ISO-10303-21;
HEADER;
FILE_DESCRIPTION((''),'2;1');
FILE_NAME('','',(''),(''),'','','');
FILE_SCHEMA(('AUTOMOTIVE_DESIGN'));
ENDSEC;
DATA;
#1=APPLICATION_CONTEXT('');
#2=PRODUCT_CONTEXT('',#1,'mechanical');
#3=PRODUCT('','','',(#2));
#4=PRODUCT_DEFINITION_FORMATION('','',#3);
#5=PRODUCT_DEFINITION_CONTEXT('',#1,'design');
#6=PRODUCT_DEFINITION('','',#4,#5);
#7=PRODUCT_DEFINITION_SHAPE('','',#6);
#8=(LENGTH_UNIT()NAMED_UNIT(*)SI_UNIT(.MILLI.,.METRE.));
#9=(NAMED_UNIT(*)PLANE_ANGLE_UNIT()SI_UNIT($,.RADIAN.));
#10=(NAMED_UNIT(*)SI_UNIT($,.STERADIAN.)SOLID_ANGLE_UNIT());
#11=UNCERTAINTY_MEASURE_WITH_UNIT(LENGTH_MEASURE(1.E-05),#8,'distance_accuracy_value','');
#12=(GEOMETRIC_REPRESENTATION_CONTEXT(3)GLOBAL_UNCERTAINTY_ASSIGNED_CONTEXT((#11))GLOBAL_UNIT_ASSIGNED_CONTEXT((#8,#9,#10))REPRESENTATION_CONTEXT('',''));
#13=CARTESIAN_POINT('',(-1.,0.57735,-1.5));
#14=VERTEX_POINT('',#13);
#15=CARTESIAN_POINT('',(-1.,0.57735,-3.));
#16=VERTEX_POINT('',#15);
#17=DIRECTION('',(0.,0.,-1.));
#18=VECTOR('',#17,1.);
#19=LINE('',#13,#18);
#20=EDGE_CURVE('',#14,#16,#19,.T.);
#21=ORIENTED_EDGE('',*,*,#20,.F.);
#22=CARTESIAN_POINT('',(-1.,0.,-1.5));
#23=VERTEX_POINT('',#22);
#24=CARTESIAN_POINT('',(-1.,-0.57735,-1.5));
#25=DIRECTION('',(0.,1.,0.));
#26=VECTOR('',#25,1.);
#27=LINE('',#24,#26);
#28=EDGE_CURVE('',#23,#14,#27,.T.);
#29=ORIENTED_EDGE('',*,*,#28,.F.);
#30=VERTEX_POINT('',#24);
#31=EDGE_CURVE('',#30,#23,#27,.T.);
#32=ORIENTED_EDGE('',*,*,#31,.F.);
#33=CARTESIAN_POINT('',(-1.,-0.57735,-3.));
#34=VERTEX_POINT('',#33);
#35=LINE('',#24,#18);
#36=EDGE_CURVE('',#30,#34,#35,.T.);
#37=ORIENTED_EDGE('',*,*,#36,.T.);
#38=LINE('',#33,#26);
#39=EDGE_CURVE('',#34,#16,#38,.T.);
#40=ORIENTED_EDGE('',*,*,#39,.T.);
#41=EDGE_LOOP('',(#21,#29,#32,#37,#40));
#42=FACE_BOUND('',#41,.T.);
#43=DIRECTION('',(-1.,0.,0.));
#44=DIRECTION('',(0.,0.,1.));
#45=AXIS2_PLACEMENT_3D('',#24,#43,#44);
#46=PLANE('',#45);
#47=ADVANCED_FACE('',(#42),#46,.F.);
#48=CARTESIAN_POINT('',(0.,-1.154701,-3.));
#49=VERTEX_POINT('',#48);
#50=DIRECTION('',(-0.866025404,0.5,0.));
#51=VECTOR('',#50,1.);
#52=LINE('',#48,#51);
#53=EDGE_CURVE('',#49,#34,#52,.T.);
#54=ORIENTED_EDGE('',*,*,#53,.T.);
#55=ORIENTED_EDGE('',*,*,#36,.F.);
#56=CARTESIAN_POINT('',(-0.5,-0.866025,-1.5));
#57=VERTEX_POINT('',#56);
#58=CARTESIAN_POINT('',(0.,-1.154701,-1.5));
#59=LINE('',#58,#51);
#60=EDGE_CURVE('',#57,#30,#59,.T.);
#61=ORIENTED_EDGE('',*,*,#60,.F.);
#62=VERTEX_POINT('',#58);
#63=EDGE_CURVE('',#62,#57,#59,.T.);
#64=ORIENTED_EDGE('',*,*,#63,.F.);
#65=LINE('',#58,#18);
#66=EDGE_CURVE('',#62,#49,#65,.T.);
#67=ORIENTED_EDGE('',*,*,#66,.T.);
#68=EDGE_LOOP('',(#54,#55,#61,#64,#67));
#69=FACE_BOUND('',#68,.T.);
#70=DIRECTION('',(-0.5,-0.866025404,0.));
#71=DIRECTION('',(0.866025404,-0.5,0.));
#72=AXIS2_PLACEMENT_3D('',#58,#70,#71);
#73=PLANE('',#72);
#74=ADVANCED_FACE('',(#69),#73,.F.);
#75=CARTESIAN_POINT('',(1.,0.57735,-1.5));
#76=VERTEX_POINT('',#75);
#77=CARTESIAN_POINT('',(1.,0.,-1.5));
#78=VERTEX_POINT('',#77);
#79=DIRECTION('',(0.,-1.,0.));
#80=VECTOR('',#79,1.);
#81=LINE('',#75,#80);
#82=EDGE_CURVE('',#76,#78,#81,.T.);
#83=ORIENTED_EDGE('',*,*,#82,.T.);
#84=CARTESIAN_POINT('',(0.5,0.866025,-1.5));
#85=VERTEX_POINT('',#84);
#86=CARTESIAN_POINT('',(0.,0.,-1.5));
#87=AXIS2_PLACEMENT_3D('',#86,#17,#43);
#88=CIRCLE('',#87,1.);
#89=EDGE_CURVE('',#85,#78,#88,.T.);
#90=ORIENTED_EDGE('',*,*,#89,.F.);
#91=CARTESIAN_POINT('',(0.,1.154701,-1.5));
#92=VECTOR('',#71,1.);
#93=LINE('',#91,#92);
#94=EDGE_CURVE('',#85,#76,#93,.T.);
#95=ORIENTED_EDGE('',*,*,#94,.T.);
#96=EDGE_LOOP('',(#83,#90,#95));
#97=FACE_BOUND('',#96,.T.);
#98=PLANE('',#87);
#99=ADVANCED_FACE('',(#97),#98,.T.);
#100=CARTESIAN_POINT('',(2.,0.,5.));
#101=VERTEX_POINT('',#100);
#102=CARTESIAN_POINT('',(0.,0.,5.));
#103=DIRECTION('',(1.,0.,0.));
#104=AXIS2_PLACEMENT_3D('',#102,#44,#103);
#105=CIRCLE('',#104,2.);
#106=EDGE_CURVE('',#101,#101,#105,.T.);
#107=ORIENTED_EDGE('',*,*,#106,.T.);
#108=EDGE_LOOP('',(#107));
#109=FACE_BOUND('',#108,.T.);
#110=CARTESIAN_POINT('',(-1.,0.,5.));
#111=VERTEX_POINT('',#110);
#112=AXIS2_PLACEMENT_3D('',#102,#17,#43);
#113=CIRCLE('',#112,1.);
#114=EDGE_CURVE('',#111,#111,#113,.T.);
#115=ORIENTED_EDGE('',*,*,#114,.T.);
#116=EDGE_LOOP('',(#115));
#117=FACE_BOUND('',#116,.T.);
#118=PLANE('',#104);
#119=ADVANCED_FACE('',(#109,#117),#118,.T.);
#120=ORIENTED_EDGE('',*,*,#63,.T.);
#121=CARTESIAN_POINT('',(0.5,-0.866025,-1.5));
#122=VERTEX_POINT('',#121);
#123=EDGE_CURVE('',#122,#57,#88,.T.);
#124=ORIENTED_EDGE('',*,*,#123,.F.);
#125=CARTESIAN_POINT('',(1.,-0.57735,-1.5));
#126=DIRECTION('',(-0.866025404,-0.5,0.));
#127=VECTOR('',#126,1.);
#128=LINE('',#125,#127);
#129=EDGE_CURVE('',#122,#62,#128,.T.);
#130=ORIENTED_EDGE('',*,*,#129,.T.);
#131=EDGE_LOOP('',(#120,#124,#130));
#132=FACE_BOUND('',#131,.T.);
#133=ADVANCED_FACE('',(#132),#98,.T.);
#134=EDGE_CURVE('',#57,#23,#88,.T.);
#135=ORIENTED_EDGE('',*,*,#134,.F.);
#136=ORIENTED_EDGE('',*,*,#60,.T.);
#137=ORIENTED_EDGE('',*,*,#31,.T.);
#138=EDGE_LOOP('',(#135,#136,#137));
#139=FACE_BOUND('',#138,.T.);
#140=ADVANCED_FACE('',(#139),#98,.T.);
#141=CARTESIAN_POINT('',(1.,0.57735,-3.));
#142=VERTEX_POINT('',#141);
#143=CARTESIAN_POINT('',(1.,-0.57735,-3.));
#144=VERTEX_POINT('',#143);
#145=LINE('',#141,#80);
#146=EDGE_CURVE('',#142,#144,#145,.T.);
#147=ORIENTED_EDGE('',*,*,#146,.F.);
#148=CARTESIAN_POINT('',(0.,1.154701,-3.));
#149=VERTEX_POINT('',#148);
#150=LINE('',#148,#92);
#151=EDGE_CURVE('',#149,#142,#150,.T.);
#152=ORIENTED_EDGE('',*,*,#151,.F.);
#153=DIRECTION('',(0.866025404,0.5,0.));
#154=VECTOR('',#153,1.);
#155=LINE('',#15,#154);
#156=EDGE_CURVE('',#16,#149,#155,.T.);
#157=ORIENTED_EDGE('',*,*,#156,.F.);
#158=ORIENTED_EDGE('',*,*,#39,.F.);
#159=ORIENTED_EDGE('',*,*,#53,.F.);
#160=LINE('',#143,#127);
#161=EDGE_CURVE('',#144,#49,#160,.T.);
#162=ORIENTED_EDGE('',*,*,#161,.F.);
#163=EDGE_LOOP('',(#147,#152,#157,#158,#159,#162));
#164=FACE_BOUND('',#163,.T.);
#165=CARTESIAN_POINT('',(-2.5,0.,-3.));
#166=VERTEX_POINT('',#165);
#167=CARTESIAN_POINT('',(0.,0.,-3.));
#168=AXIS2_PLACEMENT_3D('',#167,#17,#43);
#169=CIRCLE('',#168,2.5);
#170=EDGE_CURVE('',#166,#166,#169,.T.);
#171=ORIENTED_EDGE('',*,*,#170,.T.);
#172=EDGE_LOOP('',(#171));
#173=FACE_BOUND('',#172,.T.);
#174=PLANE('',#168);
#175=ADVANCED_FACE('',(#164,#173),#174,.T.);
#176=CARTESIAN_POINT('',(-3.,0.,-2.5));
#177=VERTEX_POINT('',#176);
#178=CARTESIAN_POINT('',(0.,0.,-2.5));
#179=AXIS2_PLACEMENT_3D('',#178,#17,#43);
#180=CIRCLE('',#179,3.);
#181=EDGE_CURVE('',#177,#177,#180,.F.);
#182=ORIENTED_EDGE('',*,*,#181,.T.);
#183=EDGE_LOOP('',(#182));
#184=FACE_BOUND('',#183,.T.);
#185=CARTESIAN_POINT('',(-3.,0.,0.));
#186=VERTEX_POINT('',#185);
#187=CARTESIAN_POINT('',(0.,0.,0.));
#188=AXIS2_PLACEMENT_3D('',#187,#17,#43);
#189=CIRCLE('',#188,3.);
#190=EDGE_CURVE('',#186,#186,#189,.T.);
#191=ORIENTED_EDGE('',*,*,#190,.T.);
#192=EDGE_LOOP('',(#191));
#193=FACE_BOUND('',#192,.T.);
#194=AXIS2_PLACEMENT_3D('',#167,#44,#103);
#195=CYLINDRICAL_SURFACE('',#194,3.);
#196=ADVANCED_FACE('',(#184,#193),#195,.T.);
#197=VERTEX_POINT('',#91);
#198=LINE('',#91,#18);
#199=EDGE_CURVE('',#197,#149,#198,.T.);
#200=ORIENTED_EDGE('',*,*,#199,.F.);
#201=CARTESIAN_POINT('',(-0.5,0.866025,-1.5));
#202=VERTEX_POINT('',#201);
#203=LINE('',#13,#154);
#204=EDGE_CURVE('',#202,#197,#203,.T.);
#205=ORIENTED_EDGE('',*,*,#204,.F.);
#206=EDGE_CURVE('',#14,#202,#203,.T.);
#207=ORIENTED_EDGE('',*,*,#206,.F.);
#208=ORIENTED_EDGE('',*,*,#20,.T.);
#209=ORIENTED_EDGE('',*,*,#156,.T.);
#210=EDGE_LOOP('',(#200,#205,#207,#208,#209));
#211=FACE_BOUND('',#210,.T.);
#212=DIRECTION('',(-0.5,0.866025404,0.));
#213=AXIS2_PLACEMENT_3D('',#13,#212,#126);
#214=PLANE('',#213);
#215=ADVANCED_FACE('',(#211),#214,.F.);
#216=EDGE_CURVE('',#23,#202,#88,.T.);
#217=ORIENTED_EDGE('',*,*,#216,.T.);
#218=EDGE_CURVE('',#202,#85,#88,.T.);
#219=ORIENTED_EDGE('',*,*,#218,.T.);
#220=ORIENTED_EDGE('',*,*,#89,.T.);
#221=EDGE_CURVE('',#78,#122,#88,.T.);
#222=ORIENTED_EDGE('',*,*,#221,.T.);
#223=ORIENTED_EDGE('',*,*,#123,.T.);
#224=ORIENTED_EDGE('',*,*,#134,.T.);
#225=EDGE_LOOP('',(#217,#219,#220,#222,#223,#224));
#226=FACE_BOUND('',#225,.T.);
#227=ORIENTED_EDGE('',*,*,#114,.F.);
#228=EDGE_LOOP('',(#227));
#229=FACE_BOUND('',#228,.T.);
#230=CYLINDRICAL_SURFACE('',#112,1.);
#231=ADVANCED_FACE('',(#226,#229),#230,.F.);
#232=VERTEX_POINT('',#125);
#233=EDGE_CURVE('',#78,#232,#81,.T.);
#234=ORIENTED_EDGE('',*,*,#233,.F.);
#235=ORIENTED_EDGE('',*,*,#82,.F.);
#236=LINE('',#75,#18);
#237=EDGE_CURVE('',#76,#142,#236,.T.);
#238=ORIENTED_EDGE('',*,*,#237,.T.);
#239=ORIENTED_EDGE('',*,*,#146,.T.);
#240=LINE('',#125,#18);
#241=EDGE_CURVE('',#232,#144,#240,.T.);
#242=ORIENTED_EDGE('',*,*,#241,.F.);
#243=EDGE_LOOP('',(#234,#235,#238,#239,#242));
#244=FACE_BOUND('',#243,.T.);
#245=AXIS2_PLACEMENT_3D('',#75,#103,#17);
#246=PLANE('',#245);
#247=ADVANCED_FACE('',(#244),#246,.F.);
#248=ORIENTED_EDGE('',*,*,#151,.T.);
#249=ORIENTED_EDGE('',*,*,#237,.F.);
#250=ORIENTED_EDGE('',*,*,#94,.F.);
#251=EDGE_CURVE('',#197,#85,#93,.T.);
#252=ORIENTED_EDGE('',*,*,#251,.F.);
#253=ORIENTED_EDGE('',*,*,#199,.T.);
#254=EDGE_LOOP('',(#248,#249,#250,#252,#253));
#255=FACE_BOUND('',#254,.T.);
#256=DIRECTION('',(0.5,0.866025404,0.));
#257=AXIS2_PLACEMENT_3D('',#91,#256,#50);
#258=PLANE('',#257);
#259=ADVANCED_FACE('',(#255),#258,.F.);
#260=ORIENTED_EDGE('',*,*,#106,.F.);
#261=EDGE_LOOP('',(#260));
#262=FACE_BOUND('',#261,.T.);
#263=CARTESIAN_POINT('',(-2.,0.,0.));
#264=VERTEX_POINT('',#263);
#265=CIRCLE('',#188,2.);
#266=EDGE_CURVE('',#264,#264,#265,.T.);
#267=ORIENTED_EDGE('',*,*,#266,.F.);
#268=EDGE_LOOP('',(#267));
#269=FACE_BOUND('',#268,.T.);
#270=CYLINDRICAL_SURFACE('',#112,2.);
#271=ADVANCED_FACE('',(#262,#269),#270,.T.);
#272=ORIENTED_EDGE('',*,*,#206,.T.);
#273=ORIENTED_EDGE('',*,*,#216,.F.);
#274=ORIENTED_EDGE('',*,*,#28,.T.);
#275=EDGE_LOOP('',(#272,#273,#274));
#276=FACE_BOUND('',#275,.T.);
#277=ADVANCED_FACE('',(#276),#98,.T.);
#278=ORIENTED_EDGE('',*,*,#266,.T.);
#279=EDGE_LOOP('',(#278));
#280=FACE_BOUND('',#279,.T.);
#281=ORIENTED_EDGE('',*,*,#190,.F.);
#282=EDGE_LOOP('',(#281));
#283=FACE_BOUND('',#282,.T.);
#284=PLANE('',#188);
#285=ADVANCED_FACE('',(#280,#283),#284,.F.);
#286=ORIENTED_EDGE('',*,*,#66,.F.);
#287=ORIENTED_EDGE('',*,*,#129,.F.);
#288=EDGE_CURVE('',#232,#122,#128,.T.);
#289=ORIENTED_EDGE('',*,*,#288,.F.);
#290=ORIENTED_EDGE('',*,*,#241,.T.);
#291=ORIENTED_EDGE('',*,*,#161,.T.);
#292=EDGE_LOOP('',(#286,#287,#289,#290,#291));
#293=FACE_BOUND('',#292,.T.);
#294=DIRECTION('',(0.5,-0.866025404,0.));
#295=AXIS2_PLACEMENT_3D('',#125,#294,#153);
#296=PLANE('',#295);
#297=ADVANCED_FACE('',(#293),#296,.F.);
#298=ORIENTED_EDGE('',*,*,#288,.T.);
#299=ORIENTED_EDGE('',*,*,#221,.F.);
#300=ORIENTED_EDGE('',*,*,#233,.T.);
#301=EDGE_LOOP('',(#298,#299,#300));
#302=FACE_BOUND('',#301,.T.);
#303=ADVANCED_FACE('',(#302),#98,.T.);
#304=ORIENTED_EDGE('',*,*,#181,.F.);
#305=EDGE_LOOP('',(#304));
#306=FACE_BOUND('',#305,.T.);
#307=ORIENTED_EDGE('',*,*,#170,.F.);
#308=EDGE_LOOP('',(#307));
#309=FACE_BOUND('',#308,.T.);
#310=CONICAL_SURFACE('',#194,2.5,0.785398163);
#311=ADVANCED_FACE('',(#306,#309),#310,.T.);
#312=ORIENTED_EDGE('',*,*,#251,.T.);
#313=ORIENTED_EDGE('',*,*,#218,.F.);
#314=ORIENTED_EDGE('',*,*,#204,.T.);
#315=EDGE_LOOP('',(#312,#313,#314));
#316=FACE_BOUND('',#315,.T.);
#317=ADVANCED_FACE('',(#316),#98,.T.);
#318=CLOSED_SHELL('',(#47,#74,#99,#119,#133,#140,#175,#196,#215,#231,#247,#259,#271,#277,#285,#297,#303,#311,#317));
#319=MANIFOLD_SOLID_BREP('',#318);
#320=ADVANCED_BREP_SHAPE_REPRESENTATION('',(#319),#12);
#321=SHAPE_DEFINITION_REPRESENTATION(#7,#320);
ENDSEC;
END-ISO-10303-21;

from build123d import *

# Parameters (mm, degrees)
SKETCH1_R           = 2
BOSS_EXTRUDE1_DEPTH = 5
SKETCH2_R           = 3
BOSS_EXTRUDE2_DEPTH = 3
CHAMFER1_SIZE       = 0.5
CUT_EXTRUDE3_DEPTH  = 1.5
SKETCH6_R           = 1
CUT_EXTRUDE4_DEPTH  = 8.762087348


with BuildPart() as part:
    # Sketch1 → Boss-Extrude1 (new body)
    with BuildSketch(Plane.XY):
        Circle(SKETCH1_R)
    extrude(amount=BOSS_EXTRUDE1_DEPTH)

    # Sketch2 → Boss-Extrude2 (add)
    with BuildSketch(Plane(origin=(0, 0, 0), x_dir=(-1, 0, 0), z_dir=(0, 0, -1))):
        Circle(SKETCH2_R)
    extrude(amount=BOSS_EXTRUDE2_DEPTH)

    # Chamfer1
    chamfer1_edges = [part.edges().sort_by_distance(p)[0] for p in [
        (3, 0, -3),
    ]]
    chamfer(chamfer1_edges, length=CHAMFER1_SIZE)

    # Sketch5 → Cut-Extrude3 (cut)
    with BuildSketch(Plane(origin=(0, 0, -3), x_dir=(-1, 0, 0), z_dir=(0, 0, -1))):
        Polygon((0, -1.154700538), (1, -0.577350269), (1, 0.577350269), (0, 1.154700538), (-1, 0.577350269), (-1, -0.577350269), align=None)
    extrude(amount=-CUT_EXTRUDE3_DEPTH, mode=Mode.SUBTRACT)

    # Sketch6 → Cut-Extrude4 (cut, through all)
    with BuildSketch(Plane(origin=(0, 0, -1.5), x_dir=(-1, 0, 0), z_dir=(0, 0, -1))):
        Circle(SKETCH6_R)
    extrude(amount=-CUT_EXTRUDE4_DEPTH, mode=Mode.SUBTRACT)


solid = part.part
